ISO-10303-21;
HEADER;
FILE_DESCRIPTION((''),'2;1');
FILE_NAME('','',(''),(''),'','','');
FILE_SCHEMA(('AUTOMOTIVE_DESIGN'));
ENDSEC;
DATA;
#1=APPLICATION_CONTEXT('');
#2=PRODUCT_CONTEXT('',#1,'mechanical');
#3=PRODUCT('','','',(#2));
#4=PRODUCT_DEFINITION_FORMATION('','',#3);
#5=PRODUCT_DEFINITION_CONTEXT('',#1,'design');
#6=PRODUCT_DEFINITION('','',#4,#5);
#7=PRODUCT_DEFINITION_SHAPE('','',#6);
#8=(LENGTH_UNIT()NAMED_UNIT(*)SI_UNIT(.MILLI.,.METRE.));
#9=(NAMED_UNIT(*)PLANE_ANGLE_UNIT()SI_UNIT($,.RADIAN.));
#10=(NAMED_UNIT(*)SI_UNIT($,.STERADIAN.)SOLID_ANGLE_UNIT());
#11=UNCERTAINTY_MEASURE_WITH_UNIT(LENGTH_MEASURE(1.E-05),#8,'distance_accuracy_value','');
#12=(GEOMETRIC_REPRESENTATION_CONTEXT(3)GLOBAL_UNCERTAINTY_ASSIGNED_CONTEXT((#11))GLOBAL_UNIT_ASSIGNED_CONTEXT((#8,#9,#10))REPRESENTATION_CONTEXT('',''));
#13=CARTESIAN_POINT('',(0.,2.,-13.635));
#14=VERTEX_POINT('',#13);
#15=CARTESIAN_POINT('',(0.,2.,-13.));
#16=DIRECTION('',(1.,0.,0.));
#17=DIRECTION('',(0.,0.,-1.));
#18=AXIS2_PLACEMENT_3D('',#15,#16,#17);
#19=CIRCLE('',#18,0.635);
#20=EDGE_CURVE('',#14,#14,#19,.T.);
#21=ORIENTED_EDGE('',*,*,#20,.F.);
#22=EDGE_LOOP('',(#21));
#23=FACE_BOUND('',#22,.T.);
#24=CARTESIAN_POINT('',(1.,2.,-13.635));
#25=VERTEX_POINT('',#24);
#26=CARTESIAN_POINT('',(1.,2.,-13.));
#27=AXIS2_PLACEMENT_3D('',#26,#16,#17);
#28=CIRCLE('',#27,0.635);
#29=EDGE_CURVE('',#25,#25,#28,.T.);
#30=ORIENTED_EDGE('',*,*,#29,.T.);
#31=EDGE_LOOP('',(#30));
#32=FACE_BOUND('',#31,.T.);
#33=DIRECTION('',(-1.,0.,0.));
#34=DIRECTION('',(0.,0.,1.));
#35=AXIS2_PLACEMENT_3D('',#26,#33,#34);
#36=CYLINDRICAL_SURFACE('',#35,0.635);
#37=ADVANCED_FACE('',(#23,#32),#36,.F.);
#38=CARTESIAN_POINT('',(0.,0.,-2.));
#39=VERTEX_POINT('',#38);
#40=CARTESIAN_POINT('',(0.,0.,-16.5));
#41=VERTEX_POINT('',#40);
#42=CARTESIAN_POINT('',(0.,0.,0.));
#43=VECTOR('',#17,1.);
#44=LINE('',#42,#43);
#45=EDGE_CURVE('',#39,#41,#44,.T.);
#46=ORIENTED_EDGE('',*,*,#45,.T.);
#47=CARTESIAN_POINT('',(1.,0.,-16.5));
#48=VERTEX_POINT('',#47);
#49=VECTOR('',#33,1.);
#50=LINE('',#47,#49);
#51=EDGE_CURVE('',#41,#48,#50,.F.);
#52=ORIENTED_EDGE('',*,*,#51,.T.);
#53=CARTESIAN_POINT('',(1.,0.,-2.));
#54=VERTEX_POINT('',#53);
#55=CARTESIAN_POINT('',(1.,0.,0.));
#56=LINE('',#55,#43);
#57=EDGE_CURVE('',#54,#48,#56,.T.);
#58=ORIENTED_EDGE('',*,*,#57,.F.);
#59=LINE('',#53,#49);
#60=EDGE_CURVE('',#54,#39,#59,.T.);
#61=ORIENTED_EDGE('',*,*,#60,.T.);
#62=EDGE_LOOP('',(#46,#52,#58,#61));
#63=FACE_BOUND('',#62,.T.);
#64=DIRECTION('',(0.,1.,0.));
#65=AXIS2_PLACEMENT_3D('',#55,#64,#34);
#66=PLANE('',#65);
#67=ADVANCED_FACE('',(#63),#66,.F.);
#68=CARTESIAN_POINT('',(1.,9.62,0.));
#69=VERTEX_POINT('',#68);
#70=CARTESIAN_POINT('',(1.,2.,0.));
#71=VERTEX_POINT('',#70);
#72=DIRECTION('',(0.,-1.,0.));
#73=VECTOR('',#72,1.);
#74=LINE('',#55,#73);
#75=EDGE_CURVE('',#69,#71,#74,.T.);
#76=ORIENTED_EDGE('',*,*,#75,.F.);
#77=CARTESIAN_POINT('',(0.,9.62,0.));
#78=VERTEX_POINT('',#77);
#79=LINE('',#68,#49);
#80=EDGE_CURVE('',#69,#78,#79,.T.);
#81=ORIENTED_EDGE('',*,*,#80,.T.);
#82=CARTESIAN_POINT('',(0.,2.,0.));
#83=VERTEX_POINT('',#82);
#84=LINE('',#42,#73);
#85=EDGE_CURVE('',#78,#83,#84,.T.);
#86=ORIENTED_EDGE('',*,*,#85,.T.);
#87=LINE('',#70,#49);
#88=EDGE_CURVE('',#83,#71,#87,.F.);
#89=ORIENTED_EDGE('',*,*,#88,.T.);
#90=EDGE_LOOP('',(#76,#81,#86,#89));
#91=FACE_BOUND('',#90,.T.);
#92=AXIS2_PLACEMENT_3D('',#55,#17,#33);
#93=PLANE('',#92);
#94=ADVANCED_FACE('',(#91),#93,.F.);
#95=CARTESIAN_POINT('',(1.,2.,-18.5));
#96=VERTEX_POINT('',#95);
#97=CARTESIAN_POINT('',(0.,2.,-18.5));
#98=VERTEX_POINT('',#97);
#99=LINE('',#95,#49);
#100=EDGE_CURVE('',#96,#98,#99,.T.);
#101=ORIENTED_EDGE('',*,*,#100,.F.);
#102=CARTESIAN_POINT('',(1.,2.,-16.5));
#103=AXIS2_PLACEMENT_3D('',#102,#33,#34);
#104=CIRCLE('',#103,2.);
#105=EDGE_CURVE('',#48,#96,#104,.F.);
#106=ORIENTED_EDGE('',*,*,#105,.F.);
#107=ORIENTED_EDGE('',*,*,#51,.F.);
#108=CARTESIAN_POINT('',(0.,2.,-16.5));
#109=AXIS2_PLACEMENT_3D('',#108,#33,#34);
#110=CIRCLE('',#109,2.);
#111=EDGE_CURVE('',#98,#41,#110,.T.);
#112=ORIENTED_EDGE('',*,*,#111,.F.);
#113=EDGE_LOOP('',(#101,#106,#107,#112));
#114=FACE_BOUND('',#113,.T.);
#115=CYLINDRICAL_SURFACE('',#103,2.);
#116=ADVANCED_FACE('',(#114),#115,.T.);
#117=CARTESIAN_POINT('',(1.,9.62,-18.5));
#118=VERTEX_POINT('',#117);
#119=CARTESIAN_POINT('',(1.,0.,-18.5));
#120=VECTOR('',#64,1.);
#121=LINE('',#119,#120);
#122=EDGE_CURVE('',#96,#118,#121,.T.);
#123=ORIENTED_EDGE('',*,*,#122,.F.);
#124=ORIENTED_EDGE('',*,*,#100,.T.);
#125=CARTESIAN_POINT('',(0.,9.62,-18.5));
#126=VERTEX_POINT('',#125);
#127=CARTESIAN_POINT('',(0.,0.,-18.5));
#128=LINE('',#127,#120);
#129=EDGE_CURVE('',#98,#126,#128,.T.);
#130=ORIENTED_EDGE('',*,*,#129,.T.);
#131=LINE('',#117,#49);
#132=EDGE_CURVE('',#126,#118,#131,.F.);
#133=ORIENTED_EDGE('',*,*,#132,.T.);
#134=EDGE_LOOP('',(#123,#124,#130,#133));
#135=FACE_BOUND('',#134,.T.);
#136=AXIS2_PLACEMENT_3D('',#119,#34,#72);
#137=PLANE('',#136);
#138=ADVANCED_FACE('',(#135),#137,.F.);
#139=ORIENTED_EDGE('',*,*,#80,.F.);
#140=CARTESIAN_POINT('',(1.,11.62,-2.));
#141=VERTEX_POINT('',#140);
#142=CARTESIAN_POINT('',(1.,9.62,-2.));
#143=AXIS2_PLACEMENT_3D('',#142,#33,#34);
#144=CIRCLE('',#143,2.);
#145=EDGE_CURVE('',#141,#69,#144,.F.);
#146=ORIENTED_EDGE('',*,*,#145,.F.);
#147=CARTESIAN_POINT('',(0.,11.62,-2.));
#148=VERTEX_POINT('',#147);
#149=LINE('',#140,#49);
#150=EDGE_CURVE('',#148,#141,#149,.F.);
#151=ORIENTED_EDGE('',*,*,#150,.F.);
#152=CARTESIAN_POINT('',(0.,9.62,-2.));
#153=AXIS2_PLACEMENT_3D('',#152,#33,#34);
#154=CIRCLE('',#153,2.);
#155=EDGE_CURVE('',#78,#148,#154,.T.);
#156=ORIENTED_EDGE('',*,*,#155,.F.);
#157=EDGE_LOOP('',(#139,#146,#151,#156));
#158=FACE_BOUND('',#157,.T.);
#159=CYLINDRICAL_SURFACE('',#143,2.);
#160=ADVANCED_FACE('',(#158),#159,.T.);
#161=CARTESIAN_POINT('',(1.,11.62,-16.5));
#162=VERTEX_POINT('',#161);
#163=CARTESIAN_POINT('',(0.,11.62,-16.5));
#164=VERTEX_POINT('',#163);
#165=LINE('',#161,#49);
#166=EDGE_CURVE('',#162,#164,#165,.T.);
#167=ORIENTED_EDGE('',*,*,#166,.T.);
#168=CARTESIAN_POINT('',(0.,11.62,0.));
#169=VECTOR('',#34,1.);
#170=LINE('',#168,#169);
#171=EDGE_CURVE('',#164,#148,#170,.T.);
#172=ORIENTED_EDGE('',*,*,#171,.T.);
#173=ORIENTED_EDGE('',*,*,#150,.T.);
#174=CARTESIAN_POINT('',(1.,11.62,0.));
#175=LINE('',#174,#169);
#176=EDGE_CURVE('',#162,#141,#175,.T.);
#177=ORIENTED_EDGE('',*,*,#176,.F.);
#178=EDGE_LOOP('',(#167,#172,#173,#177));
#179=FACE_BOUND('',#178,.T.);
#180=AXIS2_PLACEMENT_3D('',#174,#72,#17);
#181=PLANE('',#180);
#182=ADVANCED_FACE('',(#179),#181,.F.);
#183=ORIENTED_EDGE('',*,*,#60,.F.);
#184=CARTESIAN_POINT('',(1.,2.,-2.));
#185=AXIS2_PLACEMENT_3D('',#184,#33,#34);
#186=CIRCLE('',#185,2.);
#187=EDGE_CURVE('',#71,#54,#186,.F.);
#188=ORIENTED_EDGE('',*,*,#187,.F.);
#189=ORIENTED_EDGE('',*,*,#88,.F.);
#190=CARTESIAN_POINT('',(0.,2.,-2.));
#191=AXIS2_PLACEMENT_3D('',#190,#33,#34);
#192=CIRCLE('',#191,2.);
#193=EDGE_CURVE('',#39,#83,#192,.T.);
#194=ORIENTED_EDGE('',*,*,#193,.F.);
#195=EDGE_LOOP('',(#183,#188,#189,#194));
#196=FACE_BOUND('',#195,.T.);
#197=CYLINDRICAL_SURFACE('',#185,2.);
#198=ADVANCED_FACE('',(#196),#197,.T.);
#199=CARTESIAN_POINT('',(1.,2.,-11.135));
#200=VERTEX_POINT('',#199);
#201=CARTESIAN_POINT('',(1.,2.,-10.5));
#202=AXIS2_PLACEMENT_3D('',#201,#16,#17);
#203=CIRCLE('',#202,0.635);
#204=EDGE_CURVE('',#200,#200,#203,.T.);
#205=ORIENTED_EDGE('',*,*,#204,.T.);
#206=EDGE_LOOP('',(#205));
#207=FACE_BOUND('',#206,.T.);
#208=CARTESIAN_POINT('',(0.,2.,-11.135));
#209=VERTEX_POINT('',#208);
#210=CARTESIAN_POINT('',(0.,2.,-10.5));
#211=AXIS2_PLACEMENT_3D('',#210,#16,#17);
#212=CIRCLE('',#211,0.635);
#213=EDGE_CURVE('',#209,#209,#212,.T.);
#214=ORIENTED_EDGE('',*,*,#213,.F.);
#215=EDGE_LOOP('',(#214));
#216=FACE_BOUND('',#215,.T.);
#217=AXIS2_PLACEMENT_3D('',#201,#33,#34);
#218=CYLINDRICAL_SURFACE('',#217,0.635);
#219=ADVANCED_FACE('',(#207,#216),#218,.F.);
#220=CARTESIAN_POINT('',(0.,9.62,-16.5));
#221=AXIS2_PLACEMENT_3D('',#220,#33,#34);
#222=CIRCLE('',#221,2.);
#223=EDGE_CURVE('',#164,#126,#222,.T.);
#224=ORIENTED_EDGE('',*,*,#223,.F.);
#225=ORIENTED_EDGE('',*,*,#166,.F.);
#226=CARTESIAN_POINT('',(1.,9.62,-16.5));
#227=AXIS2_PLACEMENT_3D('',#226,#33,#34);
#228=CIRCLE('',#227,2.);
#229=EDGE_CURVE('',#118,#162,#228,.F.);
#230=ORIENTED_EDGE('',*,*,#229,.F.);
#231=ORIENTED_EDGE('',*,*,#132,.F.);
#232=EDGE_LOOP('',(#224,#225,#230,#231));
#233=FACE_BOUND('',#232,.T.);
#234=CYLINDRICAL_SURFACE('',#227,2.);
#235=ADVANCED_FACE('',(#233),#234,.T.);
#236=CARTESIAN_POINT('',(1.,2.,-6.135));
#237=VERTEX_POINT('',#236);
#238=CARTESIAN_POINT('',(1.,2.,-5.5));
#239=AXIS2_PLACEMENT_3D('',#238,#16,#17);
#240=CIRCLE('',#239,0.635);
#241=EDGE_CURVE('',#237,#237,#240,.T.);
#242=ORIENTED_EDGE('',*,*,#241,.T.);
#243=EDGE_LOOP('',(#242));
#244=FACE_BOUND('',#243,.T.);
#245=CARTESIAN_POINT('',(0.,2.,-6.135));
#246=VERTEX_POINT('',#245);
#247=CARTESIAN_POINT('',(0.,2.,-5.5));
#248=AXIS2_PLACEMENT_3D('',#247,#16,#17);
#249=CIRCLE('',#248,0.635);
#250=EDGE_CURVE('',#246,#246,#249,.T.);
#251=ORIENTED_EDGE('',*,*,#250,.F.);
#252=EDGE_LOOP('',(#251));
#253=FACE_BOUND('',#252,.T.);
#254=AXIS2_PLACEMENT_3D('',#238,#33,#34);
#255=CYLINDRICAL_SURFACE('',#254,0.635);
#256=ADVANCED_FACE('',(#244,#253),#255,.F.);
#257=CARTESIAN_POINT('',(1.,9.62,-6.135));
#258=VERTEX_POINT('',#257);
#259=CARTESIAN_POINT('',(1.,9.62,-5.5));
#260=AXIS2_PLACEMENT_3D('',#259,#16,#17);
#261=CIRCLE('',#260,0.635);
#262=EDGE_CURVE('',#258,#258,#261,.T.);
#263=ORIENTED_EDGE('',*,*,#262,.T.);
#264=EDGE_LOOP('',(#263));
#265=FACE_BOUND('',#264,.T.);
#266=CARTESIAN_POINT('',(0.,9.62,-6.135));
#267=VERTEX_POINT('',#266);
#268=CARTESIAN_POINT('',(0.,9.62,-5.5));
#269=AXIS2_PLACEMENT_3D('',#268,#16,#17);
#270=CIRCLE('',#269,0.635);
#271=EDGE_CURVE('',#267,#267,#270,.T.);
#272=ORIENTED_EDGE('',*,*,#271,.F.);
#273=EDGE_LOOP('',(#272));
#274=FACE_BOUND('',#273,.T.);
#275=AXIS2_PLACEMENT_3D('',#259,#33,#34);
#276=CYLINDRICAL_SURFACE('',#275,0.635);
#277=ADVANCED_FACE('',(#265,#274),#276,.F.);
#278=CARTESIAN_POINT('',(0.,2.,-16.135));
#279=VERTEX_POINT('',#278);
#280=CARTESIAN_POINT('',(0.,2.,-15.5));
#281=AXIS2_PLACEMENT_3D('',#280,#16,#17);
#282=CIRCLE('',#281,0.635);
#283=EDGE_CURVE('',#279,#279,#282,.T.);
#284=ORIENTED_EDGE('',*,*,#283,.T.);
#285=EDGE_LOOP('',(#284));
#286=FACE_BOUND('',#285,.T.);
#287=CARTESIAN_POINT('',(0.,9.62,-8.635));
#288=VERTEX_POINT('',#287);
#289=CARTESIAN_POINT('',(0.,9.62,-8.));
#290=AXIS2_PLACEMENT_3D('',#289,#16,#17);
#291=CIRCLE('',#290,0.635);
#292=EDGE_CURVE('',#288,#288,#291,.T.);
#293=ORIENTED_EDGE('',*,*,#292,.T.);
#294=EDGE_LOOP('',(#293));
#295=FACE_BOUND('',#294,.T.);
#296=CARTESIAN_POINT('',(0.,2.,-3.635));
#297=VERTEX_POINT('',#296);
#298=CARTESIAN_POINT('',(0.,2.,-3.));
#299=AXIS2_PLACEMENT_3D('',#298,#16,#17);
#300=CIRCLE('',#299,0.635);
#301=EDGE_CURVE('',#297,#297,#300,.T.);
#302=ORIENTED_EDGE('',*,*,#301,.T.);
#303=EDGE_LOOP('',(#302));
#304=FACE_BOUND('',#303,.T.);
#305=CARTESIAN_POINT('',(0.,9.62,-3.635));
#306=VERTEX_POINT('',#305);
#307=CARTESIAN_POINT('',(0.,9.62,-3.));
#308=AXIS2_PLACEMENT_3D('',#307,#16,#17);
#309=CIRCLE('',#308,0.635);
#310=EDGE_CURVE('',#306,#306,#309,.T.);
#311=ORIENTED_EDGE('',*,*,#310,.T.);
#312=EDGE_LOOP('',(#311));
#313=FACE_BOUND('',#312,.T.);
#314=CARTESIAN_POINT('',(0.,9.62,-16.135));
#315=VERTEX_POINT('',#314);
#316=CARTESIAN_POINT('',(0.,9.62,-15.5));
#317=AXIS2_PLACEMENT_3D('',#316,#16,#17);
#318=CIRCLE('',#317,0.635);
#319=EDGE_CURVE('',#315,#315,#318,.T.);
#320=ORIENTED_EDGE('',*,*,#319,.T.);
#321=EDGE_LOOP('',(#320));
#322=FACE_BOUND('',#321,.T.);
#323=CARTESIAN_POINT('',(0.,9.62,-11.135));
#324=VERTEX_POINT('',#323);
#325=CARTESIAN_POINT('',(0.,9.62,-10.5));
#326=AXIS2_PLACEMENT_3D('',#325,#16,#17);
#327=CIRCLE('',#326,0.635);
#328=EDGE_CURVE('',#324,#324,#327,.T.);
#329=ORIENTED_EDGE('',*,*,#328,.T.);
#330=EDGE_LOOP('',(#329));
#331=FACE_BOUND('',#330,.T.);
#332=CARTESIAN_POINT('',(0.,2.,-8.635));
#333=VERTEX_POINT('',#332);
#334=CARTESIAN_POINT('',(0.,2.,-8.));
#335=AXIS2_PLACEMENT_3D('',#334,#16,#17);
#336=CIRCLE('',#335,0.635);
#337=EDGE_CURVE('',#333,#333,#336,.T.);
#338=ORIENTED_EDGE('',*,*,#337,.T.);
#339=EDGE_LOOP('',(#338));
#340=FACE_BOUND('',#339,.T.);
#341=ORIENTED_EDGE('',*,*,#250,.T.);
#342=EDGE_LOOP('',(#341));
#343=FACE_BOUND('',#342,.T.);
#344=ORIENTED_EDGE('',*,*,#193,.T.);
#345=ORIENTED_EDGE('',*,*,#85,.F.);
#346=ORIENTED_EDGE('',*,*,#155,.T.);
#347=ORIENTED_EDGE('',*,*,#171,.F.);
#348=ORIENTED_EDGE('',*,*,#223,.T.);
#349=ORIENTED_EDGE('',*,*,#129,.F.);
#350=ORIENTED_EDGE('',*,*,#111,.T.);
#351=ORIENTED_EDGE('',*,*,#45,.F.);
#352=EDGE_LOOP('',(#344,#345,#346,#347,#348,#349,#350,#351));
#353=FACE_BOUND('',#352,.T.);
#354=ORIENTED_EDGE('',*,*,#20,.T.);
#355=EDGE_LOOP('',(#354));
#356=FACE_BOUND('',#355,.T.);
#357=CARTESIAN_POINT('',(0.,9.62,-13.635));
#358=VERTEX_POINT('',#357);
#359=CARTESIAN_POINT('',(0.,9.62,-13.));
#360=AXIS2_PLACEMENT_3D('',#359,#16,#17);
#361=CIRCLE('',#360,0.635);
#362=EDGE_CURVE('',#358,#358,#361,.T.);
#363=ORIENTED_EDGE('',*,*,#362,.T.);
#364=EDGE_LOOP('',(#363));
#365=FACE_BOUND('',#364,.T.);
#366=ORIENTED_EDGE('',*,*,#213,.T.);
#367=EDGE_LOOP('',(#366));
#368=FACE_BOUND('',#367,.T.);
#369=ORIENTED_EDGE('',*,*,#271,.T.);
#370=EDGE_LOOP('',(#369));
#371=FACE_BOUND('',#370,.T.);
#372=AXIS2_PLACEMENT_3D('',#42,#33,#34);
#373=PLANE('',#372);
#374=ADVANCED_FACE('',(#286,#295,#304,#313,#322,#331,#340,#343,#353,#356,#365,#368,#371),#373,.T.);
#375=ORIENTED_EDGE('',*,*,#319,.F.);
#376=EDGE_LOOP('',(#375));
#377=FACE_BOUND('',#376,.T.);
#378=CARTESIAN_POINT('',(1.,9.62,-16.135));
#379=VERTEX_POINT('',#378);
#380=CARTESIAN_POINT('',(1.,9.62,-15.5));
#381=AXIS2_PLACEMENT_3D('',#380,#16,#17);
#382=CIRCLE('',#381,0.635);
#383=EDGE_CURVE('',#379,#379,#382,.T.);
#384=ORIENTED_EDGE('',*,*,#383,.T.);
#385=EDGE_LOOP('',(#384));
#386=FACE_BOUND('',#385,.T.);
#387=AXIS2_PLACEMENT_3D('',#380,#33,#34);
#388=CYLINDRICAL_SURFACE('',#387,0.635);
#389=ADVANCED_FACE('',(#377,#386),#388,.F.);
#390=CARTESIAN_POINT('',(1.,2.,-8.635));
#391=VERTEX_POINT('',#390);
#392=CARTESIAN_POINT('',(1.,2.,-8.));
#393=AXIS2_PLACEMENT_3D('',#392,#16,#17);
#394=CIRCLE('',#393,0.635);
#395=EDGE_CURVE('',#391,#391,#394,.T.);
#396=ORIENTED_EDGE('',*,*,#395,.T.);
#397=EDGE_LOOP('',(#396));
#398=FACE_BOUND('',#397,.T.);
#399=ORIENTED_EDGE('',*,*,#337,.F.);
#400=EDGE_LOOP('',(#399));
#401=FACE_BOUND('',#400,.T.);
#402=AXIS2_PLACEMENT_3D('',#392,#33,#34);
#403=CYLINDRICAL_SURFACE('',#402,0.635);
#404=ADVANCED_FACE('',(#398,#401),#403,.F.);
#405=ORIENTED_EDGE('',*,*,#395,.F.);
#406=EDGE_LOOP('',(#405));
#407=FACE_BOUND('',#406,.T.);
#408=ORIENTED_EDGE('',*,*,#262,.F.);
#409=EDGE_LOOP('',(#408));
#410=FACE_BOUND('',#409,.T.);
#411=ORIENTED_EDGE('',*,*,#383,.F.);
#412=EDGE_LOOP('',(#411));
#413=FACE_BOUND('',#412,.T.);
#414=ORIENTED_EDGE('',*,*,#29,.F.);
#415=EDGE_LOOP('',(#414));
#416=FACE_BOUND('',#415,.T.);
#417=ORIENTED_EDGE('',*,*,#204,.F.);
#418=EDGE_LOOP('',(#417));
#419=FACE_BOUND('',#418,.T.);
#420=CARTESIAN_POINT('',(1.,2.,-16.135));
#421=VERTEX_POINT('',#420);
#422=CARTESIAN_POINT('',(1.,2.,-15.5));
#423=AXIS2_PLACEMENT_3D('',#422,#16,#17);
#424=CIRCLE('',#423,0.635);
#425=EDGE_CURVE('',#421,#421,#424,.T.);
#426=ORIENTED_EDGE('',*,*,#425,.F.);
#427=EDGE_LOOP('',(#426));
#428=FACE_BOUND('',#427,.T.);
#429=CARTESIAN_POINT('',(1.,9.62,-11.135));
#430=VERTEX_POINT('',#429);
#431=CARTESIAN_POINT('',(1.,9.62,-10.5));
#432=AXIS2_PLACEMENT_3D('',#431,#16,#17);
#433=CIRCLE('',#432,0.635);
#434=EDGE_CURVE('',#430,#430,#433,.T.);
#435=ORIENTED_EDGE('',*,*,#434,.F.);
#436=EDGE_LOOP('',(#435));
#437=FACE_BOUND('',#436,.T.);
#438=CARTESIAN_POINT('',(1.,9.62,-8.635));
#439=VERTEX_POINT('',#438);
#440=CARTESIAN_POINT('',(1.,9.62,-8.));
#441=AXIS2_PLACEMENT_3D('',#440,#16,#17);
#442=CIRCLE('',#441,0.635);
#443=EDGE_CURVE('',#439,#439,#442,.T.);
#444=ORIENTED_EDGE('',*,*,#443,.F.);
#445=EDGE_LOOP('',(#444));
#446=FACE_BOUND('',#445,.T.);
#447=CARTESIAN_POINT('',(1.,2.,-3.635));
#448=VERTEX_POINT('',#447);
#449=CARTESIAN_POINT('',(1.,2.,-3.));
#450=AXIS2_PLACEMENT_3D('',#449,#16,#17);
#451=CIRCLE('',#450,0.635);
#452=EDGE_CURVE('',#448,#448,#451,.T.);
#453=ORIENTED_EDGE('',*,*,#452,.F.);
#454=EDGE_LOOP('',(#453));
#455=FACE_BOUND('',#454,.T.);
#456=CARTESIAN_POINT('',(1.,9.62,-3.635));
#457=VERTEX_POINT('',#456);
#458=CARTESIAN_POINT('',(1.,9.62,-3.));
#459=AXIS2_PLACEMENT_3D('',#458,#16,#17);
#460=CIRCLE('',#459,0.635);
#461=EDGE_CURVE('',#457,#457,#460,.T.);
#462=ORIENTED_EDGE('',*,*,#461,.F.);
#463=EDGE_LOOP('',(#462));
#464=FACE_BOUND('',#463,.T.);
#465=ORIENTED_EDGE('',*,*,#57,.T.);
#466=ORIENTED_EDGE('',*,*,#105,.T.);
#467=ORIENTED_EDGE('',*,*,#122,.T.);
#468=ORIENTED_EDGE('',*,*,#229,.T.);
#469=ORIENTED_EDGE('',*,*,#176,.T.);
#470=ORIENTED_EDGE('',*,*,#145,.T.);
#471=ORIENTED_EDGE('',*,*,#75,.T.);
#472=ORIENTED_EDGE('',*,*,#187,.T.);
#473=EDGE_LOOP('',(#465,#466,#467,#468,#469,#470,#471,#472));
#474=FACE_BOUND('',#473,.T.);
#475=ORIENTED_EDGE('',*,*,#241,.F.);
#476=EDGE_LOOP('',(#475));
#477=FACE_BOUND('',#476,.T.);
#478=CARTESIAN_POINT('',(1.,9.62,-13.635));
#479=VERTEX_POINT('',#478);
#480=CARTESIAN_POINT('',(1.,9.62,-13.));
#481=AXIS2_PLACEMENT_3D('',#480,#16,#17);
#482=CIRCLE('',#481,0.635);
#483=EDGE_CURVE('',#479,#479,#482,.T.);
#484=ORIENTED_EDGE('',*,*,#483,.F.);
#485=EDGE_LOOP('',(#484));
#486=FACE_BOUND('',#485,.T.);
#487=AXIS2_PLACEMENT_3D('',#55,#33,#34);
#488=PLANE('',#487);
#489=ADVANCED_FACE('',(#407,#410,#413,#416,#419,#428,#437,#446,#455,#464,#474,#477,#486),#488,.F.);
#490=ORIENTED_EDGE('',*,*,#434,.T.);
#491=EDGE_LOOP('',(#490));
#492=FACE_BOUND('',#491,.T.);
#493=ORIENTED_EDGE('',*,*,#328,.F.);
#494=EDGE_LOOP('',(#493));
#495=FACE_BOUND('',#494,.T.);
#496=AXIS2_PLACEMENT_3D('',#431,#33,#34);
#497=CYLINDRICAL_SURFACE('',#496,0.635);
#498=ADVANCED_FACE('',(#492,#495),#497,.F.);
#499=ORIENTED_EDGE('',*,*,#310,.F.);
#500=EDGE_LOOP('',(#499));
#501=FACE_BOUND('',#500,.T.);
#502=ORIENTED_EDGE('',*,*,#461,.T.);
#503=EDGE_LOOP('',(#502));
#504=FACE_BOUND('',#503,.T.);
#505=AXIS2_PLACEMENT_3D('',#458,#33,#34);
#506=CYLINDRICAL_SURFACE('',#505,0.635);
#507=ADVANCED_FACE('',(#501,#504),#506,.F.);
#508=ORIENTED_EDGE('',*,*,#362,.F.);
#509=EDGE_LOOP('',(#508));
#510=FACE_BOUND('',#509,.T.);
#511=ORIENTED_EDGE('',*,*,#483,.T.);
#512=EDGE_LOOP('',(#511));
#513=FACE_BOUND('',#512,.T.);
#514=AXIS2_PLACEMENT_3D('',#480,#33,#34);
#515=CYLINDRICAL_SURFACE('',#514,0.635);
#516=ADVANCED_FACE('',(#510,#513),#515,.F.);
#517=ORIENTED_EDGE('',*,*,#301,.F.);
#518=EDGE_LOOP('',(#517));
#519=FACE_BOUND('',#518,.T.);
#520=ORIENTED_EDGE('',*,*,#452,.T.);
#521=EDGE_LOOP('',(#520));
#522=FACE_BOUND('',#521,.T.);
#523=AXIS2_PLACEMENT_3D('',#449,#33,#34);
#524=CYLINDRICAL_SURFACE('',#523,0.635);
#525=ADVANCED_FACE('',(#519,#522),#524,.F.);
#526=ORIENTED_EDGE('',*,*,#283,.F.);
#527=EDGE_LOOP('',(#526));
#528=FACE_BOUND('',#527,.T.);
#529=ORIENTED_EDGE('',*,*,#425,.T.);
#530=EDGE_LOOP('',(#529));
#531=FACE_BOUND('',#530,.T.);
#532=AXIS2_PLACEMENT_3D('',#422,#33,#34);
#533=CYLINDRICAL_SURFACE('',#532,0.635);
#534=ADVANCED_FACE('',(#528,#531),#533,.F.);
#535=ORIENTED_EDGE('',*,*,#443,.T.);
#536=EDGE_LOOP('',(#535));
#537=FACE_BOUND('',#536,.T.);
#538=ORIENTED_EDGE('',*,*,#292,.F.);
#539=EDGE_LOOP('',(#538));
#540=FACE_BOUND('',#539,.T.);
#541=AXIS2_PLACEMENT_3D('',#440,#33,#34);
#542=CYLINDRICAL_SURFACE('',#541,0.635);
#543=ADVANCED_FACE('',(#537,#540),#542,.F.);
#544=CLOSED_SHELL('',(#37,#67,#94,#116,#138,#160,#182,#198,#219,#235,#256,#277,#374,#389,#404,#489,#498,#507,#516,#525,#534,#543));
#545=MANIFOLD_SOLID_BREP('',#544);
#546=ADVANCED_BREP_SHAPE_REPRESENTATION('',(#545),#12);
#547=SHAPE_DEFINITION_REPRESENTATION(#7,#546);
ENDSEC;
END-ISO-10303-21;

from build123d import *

# Parameters (mm, degrees)
SKETCH1_W           = 18.5
SKETCH1_H           = 11.62
SKETCH1_R           = 0.635
BOSS_EXTRUDE1_DEPTH = 1
FILLET1_R           = 2


with BuildPart() as part:
    # Sketch1 → Boss-Extrude1 (new body)
    with BuildSketch(Plane(origin=(0, 0, 0), x_dir=(0, 0, -1), z_dir=(1, 0, 0))):
        with Locations((9.25, 5.81)):
            Rectangle(SKETCH1_W, SKETCH1_H)
        with Locations((15.5, 9.62)):
            Circle(SKETCH1_R, mode=Mode.SUBTRACT)
        with Locations((13, 9.62)):
            Circle(SKETCH1_R, mode=Mode.SUBTRACT)
        with Locations((10.5, 9.62)):
            Circle(SKETCH1_R, mode=Mode.SUBTRACT)
        with Locations((8, 9.62)):
            Circle(SKETCH1_R, mode=Mode.SUBTRACT)
        with Locations((5.5, 9.62)):
            Circle(SKETCH1_R, mode=Mode.SUBTRACT)
        with Locations((3, 9.62)):
            Circle(SKETCH1_R, mode=Mode.SUBTRACT)
        with Locations((13, 2)):
            Circle(SKETCH1_R, mode=Mode.SUBTRACT)
        with Locations((10.5, 2)):
            Circle(SKETCH1_R, mode=Mode.SUBTRACT)
        with Locations((8, 2)):
            Circle(SKETCH1_R, mode=Mode.SUBTRACT)
        with Locations((5.5, 2)):
            Circle(SKETCH1_R, mode=Mode.SUBTRACT)
        with Locations((3, 2)):
            Circle(SKETCH1_R, mode=Mode.SUBTRACT)
        with Locations((15.5, 2)):
            Circle(SKETCH1_R, mode=Mode.SUBTRACT)
    extrude(amount=BOSS_EXTRUDE1_DEPTH)

    # Fillet1
    fillet1_edges = [part.edges().sort_by_distance(p)[0] for p in [
        (0.5, 11.62, 0),
        (0.5, 11.62, -18.5),
        (0.5, 0, -18.5),
        (0.5, 0, 0),
    ]]
    fillet(fillet1_edges, radius=FILLET1_R)


solid = part.part
